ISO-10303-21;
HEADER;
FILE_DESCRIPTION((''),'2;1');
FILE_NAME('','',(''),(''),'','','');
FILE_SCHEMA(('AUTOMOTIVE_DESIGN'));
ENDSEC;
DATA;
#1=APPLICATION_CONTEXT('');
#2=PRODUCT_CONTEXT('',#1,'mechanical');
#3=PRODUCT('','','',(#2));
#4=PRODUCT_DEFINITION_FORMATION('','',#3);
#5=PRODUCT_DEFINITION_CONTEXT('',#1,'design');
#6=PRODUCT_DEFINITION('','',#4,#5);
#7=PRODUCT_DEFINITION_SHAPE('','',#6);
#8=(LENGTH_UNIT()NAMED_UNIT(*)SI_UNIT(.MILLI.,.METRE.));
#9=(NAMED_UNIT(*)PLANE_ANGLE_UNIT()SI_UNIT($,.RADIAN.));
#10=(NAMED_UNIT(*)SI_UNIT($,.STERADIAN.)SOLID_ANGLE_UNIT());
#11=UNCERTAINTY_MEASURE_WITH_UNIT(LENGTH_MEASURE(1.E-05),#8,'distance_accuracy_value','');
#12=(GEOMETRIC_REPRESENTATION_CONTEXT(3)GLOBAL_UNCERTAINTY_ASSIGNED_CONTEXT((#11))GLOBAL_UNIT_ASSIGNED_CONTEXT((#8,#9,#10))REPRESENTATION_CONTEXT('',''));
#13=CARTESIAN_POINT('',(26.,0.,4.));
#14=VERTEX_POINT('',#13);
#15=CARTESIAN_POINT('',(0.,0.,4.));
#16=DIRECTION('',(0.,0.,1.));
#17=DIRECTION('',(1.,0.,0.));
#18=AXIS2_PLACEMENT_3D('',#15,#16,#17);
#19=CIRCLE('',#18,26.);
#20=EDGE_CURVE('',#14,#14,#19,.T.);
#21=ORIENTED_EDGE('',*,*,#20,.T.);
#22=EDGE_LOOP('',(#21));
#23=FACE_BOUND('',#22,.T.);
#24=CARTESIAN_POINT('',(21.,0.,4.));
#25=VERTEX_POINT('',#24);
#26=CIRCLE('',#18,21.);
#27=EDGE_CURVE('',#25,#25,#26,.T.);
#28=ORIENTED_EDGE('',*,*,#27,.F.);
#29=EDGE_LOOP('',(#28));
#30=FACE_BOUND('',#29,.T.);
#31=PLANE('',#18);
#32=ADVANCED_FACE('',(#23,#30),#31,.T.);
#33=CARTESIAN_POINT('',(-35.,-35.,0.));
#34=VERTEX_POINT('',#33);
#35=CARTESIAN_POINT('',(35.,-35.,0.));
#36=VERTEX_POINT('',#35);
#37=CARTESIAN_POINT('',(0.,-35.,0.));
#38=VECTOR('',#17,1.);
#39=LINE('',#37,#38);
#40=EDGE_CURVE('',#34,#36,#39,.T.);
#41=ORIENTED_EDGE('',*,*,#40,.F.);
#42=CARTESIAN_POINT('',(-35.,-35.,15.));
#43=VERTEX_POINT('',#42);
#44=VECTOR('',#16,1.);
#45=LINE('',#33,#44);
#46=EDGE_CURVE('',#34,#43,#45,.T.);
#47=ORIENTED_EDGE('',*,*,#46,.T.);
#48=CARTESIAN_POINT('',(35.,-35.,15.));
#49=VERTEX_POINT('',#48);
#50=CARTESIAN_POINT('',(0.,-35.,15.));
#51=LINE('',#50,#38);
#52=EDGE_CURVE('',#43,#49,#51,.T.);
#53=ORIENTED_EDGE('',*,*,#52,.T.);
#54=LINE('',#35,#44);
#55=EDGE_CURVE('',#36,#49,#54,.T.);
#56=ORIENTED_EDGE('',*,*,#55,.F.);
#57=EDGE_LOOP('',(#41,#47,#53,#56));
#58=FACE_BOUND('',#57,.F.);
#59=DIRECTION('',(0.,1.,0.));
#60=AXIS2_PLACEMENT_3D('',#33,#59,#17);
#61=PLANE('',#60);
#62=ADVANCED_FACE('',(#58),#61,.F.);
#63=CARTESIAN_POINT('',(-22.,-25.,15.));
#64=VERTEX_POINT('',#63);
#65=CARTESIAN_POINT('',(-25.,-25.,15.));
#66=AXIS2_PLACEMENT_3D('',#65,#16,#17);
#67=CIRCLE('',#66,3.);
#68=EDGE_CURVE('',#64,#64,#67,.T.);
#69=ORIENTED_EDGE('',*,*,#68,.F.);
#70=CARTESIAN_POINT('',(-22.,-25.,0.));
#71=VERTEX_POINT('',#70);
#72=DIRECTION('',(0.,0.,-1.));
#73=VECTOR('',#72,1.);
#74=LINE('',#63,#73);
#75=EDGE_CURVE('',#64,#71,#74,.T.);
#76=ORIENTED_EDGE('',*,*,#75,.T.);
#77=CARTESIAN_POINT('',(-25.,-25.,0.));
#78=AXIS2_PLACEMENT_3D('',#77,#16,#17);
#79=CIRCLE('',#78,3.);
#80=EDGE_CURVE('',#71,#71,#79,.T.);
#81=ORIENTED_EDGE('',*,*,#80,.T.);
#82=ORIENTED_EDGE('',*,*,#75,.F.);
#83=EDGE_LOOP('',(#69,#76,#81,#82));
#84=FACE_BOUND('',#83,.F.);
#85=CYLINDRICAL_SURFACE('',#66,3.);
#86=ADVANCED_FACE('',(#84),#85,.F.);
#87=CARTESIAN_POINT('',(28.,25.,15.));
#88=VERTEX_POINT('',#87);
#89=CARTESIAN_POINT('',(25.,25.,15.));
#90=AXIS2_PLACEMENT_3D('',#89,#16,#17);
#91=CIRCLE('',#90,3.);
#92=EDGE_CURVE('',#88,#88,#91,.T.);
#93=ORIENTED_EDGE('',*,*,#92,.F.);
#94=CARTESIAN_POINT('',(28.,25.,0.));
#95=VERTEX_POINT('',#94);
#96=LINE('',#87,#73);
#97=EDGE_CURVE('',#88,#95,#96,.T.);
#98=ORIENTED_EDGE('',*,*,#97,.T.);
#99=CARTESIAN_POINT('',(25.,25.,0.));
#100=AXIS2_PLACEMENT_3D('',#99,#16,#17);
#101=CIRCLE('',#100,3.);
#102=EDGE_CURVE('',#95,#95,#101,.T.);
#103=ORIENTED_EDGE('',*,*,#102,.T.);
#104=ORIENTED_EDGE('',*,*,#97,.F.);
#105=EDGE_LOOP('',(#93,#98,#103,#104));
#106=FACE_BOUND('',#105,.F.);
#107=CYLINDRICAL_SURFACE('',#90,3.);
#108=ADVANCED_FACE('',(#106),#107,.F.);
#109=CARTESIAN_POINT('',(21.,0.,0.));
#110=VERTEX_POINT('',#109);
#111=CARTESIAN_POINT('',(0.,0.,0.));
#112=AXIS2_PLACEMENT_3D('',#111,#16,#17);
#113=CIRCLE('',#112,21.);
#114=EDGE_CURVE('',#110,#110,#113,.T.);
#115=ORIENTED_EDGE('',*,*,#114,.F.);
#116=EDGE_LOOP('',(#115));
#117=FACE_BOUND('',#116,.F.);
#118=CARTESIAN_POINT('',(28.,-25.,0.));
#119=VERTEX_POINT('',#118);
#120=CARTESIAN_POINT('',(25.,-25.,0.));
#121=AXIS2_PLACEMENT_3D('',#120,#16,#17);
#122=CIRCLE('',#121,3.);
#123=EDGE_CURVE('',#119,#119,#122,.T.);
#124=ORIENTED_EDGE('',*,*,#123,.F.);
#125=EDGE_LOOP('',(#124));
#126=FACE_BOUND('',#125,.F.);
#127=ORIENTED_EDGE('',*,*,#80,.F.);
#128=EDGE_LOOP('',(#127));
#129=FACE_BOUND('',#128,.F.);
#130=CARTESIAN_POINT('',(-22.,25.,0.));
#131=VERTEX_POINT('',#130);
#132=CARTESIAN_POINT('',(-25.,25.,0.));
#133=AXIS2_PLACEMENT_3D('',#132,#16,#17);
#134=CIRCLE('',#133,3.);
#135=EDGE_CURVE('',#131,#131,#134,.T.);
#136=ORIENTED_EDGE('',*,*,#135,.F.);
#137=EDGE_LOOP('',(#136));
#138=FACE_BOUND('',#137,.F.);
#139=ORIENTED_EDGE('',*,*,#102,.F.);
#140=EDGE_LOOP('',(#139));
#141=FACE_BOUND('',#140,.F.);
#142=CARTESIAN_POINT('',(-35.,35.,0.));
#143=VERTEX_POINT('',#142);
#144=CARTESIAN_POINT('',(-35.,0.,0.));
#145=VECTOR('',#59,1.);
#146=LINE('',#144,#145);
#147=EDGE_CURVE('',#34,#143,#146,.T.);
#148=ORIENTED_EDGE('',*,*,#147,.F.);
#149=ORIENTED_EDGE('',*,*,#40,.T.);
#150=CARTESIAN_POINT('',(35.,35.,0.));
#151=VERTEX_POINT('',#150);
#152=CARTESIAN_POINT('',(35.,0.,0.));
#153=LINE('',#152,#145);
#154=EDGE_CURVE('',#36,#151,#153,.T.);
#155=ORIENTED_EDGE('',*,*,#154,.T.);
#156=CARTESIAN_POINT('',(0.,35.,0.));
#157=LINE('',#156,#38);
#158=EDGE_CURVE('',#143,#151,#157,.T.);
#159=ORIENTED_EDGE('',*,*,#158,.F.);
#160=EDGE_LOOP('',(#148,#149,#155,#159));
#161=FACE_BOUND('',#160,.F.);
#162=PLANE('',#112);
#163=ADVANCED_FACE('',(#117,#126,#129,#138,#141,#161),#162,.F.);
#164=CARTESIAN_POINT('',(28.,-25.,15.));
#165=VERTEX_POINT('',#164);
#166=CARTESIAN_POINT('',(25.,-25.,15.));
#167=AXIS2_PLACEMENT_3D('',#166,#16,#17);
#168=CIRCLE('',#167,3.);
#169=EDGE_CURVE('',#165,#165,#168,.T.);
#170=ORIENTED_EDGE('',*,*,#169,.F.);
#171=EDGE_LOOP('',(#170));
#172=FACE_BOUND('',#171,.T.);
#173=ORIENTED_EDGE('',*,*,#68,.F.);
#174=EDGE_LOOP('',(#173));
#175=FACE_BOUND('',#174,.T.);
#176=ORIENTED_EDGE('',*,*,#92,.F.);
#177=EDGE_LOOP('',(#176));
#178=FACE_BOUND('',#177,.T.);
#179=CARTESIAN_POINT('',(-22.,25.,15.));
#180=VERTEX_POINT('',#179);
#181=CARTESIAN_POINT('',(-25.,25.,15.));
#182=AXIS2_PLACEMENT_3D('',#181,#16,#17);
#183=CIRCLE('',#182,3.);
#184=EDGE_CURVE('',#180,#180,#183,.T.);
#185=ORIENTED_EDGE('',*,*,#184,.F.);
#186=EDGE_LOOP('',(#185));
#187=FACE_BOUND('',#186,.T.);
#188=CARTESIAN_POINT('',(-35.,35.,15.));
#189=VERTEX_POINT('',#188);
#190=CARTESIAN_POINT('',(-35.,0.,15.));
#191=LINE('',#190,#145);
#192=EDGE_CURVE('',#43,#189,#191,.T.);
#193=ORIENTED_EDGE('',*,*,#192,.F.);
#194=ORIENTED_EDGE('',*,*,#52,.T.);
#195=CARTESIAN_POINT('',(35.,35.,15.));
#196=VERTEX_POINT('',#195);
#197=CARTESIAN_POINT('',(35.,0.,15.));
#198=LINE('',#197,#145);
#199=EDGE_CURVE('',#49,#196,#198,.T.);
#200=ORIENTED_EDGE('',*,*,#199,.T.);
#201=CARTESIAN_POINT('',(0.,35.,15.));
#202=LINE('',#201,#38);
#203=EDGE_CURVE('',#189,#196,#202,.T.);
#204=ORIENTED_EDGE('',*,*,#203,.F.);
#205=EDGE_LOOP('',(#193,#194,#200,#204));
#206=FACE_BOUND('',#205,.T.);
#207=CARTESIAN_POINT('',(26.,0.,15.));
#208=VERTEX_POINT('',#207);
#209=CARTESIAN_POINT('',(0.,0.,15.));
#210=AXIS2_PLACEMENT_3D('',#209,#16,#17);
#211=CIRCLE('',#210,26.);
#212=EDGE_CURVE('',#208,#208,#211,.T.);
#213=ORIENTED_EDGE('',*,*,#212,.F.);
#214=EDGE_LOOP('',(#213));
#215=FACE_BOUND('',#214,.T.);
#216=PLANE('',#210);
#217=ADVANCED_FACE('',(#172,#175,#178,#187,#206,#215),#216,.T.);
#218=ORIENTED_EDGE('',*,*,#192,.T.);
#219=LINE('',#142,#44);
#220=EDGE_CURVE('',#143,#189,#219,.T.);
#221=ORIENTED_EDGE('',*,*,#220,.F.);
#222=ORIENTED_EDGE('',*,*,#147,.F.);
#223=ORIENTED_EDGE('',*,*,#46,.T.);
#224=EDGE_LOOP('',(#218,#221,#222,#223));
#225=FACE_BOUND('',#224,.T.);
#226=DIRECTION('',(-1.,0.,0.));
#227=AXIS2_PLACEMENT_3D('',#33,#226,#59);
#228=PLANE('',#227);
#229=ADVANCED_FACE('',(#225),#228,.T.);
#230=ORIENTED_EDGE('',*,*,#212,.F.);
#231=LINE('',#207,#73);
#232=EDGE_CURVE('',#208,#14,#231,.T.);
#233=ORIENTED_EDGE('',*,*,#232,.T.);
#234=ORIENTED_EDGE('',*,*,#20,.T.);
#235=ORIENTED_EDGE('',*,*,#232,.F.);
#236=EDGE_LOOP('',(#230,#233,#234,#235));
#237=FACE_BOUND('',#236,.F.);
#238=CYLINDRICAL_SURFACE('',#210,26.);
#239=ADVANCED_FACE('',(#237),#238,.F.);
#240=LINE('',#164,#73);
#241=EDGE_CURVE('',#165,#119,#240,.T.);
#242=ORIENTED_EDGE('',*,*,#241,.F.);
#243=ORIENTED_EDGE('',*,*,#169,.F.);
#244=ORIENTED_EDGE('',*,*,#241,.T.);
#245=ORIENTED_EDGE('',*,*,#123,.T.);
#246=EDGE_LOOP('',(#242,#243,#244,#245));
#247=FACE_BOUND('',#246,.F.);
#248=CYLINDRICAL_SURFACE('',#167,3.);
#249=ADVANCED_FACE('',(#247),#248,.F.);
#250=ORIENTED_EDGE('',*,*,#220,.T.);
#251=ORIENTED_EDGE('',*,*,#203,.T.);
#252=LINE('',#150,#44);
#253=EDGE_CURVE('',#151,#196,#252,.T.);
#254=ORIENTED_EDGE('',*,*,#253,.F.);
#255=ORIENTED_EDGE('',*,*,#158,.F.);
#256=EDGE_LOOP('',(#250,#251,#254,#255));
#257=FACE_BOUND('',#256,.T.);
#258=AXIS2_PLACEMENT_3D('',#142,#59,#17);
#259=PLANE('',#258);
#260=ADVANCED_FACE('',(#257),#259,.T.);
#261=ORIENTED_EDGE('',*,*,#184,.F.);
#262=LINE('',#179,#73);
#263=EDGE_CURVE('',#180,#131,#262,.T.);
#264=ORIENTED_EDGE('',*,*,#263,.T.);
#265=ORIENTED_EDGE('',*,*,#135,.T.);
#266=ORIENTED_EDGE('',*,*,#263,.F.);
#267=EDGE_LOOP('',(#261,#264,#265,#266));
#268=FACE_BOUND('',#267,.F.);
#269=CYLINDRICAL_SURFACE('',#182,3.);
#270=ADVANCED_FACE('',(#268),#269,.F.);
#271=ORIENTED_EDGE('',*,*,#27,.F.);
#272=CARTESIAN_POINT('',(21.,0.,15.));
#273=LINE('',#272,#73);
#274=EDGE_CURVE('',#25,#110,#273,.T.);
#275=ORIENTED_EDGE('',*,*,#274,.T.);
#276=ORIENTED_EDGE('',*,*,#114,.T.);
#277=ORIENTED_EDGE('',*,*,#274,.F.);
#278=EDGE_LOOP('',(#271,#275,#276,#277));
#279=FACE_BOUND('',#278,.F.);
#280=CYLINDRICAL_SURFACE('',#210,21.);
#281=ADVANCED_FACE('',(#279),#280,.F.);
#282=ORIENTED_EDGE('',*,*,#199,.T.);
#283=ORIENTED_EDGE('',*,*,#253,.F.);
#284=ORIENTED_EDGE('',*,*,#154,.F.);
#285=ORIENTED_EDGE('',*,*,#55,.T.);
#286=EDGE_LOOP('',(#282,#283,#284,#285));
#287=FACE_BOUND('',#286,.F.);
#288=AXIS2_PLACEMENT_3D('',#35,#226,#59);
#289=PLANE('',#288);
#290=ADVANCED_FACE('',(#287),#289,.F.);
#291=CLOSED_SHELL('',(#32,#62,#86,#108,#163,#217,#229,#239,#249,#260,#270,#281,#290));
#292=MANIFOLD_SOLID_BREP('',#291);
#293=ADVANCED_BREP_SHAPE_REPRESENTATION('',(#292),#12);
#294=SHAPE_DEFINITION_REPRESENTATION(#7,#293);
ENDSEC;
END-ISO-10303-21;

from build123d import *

# Parameters (mm, degrees)
SKETCH_W        = 70
SKETCH_H        = 70
PAD_DEPTH       = 15
SKETCH001_R     = 26
POCKET_DEPTH    = 11
SKETCH002_R     = 3
SKETCH002_R_2   = 21
POCKET001_DEPTH = 15.001


with BuildPart() as part:
    # Sketch → Pad (new body)
    with BuildSketch(Plane.XY):
        Rectangle(SKETCH_W, SKETCH_H)
    extrude(amount=PAD_DEPTH)

    # Sketch001 (on Face6 of Pad) → Pocket (cut)
    with BuildSketch(Plane.XY.offset(15)):
        Circle(SKETCH001_R)
    extrude(amount=-POCKET_DEPTH, mode=Mode.SUBTRACT)

    # Sketch002 → Pocket001 (cut, through all)
    with BuildSketch(Plane.XY.offset(15)):
        with Locations((-25, 25)):
            Circle(SKETCH002_R)
        with Locations((25, 25)):
            Circle(SKETCH002_R)
        with Locations((25, -25)):
            Circle(SKETCH002_R)
        with Locations((-25, -25)):
            Circle(SKETCH002_R)
        Circle(SKETCH002_R_2)
    extrude(amount=-POCKET001_DEPTH, mode=Mode.SUBTRACT)


solid = part.part
